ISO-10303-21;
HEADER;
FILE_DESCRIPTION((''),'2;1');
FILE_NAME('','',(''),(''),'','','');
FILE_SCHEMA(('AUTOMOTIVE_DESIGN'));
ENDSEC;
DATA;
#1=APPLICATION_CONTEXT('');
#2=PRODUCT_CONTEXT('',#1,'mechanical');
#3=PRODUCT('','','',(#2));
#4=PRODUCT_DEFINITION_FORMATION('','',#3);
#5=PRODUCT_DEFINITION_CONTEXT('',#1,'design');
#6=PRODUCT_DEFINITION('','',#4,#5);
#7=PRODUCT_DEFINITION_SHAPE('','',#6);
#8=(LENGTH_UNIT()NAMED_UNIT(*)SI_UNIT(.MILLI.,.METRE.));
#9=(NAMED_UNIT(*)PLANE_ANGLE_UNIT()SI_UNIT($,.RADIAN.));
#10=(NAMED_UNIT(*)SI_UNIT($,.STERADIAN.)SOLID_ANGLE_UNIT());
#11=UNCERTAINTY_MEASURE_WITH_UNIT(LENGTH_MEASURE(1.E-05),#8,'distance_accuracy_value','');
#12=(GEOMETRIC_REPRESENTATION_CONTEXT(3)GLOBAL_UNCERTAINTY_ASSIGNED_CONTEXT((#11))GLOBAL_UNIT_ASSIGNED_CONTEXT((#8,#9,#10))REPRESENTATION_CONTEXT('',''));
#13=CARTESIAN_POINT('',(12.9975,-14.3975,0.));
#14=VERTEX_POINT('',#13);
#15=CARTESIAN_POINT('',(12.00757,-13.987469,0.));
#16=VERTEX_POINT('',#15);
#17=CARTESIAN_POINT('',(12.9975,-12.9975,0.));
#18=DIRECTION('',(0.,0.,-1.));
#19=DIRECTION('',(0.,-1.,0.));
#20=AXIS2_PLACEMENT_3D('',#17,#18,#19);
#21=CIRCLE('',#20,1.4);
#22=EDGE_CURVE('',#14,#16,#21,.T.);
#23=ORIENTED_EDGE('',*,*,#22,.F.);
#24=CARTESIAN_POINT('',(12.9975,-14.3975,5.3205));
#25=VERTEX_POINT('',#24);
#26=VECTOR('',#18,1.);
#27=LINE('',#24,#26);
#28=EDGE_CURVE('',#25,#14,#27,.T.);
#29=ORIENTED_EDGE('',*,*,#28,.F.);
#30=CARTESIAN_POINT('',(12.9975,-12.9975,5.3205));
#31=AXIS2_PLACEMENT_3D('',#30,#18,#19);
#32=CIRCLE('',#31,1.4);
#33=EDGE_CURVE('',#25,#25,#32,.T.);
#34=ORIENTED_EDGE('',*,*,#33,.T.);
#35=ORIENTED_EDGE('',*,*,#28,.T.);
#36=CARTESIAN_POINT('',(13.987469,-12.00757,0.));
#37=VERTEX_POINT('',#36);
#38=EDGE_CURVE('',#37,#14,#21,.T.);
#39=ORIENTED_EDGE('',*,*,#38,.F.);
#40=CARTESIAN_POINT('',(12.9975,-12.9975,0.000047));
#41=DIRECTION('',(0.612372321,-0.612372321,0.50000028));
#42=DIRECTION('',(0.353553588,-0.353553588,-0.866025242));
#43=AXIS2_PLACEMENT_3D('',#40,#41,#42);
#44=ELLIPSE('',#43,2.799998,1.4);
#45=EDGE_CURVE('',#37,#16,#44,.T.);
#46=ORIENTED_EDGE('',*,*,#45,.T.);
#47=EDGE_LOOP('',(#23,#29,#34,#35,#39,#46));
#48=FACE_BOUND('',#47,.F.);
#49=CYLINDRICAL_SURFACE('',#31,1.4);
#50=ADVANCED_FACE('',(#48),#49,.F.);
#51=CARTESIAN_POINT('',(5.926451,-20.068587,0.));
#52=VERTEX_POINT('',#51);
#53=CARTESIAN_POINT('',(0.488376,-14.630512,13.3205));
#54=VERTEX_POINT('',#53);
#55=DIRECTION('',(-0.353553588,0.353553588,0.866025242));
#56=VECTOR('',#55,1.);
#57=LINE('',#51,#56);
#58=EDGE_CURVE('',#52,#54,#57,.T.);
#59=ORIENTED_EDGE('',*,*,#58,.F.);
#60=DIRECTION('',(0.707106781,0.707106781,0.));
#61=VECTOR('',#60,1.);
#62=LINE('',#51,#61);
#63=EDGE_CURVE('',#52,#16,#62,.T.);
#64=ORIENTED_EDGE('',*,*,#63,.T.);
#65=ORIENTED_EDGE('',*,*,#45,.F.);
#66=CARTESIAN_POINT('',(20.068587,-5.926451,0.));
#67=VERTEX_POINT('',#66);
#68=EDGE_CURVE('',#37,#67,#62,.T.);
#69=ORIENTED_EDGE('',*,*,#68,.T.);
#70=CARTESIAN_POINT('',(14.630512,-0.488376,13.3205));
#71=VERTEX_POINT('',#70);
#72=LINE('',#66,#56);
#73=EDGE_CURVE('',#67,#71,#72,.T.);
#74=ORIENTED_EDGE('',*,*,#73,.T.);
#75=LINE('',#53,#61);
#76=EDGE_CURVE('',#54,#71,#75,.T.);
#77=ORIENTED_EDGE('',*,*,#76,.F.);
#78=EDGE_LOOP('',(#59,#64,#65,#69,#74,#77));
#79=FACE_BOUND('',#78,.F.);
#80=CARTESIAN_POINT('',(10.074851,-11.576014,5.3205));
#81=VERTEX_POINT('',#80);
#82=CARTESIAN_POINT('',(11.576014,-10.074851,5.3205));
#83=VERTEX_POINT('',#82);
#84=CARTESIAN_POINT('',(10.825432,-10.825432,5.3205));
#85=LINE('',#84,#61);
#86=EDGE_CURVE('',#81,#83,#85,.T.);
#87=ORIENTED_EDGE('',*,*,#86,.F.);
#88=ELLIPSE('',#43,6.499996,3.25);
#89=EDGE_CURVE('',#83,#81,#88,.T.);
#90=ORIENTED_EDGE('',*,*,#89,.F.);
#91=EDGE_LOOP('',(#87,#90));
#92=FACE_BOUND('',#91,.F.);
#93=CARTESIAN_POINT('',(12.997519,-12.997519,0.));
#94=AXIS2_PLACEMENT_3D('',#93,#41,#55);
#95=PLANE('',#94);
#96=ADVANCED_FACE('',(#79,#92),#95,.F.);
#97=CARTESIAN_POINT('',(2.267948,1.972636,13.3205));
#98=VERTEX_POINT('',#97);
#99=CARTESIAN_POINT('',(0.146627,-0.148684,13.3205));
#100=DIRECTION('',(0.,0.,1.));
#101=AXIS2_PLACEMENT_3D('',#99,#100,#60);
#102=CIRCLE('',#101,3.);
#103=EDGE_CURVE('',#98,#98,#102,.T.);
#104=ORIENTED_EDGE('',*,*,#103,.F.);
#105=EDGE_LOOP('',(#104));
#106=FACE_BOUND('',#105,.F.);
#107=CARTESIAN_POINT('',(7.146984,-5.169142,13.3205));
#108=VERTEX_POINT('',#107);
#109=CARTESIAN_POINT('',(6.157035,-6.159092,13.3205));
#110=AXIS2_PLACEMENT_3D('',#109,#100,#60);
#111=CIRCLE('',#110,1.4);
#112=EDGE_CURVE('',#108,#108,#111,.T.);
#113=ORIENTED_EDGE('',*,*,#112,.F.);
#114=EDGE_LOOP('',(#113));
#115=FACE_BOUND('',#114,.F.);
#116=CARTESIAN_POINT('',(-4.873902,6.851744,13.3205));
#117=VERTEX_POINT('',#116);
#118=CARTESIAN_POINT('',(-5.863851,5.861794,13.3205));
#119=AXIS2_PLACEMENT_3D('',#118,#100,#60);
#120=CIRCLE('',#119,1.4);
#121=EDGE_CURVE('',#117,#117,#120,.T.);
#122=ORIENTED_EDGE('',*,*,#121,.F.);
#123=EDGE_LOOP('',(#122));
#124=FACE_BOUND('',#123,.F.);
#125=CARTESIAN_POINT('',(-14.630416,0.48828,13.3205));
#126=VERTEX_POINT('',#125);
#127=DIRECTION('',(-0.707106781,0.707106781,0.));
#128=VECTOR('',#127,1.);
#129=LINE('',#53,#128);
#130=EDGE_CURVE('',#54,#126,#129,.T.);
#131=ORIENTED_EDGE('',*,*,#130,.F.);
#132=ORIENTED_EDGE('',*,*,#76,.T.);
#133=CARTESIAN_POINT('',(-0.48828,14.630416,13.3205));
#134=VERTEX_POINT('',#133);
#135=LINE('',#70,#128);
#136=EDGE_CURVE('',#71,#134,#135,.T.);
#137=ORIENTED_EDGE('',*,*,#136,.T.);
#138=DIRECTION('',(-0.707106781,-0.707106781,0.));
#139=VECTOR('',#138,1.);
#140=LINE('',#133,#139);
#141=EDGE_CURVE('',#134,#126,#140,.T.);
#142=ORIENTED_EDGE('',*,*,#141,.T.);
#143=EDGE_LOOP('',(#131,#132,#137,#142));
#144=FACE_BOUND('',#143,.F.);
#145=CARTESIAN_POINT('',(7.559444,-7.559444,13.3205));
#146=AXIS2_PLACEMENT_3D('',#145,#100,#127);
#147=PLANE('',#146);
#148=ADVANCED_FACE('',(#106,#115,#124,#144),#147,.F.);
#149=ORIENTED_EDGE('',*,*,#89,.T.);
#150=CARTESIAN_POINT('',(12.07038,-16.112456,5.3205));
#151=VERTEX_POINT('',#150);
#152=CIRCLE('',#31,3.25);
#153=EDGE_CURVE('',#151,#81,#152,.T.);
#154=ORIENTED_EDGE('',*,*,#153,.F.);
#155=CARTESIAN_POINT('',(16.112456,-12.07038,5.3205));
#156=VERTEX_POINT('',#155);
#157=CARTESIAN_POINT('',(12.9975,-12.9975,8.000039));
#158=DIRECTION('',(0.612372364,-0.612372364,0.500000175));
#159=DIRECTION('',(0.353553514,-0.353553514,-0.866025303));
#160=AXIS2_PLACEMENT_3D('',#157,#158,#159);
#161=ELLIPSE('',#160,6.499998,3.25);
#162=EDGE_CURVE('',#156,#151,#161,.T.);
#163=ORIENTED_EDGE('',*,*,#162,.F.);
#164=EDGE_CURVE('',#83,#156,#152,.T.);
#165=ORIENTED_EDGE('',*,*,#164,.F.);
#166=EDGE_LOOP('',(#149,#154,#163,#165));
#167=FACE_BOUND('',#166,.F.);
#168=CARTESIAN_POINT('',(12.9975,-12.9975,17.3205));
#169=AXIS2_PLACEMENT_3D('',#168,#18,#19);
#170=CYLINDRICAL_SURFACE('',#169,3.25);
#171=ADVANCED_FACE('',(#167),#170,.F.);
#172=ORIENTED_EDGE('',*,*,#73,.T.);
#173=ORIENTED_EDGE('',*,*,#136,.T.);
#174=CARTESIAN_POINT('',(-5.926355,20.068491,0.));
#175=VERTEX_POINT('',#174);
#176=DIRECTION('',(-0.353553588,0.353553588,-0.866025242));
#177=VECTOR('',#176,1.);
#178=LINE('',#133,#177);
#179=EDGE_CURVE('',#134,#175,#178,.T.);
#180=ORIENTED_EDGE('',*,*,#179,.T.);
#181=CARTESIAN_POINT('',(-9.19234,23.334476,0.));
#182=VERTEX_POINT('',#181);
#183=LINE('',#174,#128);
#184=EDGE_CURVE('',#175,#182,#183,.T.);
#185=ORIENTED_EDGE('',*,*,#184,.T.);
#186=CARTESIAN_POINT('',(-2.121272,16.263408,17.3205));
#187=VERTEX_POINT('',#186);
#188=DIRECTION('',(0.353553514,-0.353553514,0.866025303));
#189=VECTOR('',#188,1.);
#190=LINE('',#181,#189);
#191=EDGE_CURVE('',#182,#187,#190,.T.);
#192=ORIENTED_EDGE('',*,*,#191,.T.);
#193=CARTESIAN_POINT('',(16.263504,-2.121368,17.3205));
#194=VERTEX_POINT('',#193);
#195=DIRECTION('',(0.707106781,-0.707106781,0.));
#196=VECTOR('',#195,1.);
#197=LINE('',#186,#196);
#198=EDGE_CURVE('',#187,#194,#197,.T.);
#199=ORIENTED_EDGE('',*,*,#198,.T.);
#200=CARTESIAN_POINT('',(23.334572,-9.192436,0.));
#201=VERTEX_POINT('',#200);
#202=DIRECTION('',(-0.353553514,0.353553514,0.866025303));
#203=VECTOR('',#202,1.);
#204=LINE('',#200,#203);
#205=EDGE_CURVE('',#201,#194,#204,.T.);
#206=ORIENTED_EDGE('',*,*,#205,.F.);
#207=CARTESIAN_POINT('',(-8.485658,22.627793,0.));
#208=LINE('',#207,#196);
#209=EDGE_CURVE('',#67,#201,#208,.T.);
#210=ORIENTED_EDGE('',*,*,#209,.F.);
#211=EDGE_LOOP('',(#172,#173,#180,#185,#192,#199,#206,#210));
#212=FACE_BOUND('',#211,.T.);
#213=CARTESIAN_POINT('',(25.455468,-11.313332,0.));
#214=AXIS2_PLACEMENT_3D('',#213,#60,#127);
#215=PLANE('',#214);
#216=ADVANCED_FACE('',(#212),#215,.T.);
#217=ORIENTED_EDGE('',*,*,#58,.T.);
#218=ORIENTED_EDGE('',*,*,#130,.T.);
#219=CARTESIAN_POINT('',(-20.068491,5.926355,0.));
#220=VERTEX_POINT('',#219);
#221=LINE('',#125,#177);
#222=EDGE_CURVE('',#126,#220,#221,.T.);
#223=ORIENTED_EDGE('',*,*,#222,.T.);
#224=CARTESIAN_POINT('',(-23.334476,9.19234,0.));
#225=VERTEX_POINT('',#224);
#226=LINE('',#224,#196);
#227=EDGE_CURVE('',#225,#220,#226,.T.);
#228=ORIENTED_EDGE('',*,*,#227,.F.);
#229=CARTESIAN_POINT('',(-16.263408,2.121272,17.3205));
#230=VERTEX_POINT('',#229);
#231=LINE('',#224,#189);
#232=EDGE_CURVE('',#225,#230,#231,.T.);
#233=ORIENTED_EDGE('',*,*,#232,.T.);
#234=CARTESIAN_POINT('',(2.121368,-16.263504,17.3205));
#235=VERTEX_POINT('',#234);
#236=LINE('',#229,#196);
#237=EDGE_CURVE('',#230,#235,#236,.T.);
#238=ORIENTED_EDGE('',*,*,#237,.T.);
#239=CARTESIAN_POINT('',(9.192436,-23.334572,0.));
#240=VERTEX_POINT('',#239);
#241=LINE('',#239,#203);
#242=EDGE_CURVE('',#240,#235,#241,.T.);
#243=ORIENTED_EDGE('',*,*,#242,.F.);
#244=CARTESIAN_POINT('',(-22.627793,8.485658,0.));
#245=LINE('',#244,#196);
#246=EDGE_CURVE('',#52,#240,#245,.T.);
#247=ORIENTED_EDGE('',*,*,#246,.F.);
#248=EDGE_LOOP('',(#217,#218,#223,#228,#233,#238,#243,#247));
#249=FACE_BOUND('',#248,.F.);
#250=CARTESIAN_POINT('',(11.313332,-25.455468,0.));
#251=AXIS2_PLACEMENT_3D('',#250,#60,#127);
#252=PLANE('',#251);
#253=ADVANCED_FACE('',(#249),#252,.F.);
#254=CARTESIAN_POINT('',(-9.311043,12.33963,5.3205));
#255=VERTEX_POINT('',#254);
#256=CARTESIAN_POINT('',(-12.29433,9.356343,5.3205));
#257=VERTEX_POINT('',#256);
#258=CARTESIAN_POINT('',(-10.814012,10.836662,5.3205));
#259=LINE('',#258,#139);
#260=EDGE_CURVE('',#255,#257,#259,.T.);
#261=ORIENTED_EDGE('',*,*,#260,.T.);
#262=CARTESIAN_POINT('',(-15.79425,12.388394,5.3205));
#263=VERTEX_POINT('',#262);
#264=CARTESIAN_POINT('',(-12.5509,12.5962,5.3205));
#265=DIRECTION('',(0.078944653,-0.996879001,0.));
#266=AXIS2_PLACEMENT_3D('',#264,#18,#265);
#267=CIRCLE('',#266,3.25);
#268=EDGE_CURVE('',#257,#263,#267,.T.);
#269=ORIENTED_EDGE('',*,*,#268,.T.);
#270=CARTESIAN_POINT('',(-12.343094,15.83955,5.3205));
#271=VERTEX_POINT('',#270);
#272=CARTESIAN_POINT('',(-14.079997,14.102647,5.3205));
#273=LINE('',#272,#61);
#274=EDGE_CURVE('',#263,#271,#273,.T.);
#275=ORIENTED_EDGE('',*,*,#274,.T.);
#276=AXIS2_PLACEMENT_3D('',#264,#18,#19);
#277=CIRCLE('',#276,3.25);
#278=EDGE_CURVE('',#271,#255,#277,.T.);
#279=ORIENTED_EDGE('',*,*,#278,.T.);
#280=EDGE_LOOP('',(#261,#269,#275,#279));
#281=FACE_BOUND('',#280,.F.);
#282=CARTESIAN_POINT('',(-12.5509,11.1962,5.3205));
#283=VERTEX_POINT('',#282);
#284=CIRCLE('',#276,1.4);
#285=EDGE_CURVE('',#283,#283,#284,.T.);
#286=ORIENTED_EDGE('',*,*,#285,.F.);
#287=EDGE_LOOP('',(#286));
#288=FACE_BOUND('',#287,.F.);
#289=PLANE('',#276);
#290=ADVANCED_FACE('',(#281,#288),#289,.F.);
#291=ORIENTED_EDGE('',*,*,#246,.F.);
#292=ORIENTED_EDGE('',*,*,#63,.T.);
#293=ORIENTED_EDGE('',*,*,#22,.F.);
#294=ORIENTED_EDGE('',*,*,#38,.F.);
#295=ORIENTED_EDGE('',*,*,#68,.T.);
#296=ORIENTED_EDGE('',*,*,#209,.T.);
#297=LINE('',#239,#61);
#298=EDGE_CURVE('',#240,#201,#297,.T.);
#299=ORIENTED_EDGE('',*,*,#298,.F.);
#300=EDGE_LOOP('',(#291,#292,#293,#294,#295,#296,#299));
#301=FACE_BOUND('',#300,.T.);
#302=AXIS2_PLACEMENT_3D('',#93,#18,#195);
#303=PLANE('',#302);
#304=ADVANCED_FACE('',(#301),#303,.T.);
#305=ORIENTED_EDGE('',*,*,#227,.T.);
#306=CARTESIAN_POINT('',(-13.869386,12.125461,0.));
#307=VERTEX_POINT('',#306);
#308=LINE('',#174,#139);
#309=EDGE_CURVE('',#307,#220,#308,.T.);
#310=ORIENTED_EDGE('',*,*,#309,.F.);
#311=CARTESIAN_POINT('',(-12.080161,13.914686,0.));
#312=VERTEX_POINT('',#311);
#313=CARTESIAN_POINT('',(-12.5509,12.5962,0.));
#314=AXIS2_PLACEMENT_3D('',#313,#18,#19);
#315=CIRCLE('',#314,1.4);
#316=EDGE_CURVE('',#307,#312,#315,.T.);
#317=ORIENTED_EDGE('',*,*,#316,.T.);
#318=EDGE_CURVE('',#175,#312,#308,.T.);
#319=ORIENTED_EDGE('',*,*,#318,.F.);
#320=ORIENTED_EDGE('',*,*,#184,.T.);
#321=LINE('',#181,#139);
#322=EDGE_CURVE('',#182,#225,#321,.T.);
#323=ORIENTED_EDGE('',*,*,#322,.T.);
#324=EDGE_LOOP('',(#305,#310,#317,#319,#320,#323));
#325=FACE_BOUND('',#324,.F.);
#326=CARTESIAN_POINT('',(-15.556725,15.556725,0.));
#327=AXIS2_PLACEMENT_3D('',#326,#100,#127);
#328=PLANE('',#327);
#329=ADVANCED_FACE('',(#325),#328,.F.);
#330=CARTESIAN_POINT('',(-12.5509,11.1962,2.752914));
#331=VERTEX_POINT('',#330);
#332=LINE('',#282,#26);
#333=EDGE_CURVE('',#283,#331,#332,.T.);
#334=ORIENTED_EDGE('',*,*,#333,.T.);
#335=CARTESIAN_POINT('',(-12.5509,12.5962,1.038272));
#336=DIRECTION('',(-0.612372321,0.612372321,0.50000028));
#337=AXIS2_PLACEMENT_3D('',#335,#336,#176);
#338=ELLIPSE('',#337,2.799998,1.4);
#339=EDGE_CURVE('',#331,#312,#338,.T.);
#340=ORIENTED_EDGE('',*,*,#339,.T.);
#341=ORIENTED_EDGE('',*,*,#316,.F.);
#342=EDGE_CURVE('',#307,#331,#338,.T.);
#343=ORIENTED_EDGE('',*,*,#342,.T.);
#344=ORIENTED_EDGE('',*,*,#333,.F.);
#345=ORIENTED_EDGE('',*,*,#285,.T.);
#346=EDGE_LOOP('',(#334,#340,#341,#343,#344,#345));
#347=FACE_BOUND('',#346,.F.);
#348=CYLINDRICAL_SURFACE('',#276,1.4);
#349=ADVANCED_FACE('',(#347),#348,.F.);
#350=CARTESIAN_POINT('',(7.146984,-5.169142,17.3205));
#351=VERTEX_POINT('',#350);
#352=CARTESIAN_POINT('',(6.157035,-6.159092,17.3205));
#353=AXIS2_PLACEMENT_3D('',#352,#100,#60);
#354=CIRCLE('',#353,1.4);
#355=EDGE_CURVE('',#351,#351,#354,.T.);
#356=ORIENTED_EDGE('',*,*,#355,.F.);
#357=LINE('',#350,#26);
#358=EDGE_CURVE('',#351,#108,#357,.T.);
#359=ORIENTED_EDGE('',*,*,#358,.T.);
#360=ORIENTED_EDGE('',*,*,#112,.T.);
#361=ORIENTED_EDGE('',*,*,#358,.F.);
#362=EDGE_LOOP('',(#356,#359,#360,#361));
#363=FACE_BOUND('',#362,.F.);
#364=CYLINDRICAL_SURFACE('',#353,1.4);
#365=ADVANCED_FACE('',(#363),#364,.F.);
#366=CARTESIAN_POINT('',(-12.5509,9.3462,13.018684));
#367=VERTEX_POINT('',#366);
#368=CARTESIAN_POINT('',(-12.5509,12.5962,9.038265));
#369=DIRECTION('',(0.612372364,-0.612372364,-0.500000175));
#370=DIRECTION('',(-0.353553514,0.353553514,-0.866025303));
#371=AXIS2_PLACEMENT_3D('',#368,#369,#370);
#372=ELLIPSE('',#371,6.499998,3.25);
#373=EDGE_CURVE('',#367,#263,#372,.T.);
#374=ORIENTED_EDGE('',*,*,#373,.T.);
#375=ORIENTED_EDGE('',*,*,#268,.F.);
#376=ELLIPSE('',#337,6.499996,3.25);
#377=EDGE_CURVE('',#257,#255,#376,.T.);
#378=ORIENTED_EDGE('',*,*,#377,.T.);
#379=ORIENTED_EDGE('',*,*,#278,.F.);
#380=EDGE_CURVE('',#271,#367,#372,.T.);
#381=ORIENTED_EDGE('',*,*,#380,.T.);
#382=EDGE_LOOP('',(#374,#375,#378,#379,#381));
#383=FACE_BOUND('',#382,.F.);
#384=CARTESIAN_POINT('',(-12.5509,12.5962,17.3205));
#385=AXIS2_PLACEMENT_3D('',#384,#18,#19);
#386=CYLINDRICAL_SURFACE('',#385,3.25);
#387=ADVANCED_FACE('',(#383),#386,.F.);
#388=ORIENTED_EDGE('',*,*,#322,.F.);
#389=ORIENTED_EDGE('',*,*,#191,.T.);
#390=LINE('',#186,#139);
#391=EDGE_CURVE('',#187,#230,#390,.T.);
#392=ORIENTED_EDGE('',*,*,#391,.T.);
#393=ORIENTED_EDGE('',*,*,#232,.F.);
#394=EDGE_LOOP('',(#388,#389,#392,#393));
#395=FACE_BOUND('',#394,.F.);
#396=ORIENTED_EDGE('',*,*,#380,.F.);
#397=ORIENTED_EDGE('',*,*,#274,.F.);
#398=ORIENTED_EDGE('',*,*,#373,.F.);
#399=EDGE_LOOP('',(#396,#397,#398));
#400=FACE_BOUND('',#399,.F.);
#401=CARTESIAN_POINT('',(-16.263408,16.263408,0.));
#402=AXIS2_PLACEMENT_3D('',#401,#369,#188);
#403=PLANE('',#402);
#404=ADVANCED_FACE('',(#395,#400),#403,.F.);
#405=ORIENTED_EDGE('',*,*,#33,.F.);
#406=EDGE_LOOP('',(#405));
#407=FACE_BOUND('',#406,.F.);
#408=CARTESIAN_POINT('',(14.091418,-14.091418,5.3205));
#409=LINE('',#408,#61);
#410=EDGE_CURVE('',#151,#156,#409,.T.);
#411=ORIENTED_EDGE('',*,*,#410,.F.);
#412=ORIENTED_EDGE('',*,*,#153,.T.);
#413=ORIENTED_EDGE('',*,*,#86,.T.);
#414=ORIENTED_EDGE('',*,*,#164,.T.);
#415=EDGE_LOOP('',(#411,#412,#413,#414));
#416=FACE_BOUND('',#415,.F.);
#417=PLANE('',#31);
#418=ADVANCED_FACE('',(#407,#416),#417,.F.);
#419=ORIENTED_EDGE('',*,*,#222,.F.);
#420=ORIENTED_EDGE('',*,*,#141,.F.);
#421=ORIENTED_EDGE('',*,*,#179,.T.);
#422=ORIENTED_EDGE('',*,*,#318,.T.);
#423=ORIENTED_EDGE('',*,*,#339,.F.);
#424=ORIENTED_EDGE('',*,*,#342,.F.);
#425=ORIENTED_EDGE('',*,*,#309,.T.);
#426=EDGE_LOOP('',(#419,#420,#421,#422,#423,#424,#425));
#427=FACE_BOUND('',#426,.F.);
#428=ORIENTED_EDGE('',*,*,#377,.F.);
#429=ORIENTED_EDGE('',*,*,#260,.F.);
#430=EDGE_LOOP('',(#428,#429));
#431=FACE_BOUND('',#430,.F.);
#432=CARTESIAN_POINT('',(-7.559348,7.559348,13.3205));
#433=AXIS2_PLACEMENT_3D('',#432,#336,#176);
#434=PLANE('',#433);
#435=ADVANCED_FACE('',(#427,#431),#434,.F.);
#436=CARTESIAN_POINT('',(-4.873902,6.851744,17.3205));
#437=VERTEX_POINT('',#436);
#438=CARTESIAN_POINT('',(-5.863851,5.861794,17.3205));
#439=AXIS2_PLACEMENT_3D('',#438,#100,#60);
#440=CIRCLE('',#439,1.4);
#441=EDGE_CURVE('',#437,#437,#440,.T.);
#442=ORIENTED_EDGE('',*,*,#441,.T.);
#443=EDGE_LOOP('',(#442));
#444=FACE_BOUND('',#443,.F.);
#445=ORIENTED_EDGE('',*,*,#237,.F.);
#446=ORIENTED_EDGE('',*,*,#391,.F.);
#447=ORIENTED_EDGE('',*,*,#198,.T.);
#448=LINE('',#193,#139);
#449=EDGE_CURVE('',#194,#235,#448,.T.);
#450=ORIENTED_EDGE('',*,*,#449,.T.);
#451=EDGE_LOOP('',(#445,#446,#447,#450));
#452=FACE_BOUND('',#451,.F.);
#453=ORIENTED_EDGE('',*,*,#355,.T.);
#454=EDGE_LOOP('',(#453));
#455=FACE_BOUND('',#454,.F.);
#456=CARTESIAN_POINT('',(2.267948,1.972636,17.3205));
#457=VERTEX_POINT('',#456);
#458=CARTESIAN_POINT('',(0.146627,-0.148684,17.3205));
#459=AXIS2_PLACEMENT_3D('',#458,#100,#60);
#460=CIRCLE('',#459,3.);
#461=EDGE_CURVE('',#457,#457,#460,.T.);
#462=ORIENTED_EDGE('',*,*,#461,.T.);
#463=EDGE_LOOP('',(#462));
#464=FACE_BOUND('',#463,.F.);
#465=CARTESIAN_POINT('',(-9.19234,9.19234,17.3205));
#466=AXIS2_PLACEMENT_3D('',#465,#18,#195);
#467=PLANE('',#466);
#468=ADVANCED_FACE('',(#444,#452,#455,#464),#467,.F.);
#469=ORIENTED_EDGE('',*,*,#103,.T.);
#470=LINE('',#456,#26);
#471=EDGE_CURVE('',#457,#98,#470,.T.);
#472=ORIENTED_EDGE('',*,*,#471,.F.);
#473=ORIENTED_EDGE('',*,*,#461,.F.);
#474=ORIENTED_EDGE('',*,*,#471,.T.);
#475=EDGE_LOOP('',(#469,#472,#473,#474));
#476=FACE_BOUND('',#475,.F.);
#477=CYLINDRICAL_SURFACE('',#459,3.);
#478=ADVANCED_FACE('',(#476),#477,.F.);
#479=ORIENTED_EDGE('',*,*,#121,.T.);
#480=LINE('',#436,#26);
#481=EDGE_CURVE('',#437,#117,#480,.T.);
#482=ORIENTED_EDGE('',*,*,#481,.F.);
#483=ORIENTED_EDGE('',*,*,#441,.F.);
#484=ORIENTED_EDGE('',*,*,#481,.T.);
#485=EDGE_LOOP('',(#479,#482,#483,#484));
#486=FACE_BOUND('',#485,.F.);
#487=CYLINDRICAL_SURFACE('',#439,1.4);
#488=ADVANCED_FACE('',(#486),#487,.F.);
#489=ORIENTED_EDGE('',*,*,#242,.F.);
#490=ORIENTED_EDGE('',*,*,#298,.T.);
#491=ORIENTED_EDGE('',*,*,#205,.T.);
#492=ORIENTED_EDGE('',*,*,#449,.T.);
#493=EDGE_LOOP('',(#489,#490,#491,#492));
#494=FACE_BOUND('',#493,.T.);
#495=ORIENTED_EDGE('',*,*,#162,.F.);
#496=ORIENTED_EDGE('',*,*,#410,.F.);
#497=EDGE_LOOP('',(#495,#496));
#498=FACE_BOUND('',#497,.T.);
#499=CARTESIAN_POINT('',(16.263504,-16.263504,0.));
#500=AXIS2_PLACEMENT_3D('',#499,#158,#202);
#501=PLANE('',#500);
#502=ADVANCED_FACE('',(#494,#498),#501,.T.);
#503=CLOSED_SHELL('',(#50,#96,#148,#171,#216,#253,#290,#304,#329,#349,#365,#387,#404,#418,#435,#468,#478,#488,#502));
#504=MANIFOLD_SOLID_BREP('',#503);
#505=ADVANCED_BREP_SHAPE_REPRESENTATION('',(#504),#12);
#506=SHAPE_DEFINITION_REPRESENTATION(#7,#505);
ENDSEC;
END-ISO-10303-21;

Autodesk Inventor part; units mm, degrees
ref_plane "YZ Plane" through (0, 0, 0) normal (1, 0, 0) x (0, 1, 0)
ref_plane "XZ Plane" through (0, 0, 0) normal (0, 1, 0) x (-1, 0, 0)
ref_plane "Work Plane1" through (0, 0, 0) normal (0, 0, 1) x (1, 0, 0)
ref_plane "Work Plane2" through (0, 0, 0) normal (0, 0, 1) x (1, 0, 0)
ref_plane "Work Plane3" through (18.3844, -18.3844, 0) normal (0.7071, 0.7071, 0) x (-0.7071, 0.7071, 0)
sketch "Sketch2" plane through (18.3844, -18.3844, 0) normal (0.7071, 0.7071, 0) x (-0.7071, 0.7071, 0)
  line L0 (2.9994, 0) -> (12.9994, 17.3205)
  line L1 (-4.0006, 0) -> (15.9994, 0) construction
  line L2 (48.9994, 0) -> (38.9994, 17.3205)
  line L3 (56.0448, 0) -> (76.0448, 0) construction
  line L4 (38.9994, 17.3205) -> (12.9994, 17.3205)
  line L5 (7.6182, 0) -> (15.3088, 13.3205)
  line L6 (15.3088, 13.3205) -> (36.69, 13.3205)
  line L7 (36.69, 13.3205) -> (44.3806, 0)
  line L8 (-17.6765, -6) -> (-19.9184, -71) projected
  line L9 (53.3865, -6) -> (55.409, -71) projected
  line L10 (20.5601, 2) -> (20.5601, 10)
  line L11 (33.5601, 2) -> (33.5601, 10)
  line L12 (48, 0) -> (-12, 0) projected
  line L13 (44.3806, 0) -> (48.9994, 0)
  line L14 (2.9994, 0) -> (7.6182, 0)
  line L15 (-4.0006, -9.8008) -> (-4.0006, -30.1937)
  line L16 (55.9994, -9.8008) -> (55.9994, -30.1937)
  point P0 (25.9994, 0)
  dimension "d1" = 20
  dimension "d2" = 60
  dimension "d3" = 120
  dimension "d5" = 4
  dimension "d6" = 4
  dimension "d7" = 4
  dimension "d24" = 7
  dimension "d25" = 7
extrude "Extrusion1" add sketch "Sketch2" along normal mid plane 20 contours L0 L4 L2 L13 L12 L7 L6 L5
sketch "Sketch3" plane through (16.2635, -2.1213, 17.3205) normal (0, 0, 1) x (0.7071, 0.7071, 0)
  circle A0 centre (-9.3718, 30.7817) radius 1.4 projected
  circle A1 centre (-10.6281, -5.1964) radius 1.4 projected
  line L0 (-20, -5.3812) -> (0, -5.3812) projected
  point P0 (-9.968, 30.7817)
  point P1 (-10, -5.3812)
hole "Hole1" at (-12.5509, 12.5962, 17.3205) at (12.9975, -12.9975, 17.3205) direction (0, 0, -1) diameter 2.8 end through all counterbore diameter 6.5 counterbore depth 12
sketch "Sketch4" plane through (16.2635, -2.1213, 17.3205) normal (0, 0, 1) x (0.7071, 0.7071, 0)
  circle A0 centre (-10.0015, 21.2913) radius 1.9 projected
  line L0 (0, 26) -> (0, 0) projected
  line L1 (-20, 0) -> (-20, 26) projected
  circle A1 centre (-10.0015, 4.2912) radius 1.9 projected
  circle A2 centre (-10.0015, 12.7912) radius 3 projected
  circle A3 centre (-10.0015, 21.2913) radius 1.4
  circle A4 centre (-10.0015, 4.2912) radius 1.9
  circle A5 centre (-10.0015, 4.2912) radius 1.4
  line L2 (-20, 26) -> (0, 26) projected
  line L3 (-20, 0) -> (0, 0) projected
  point P0 (-10, 13)
  dimension "d17" = 2.8
  dimension "d18" = 2.8
extrude "Extrusion2" cut sketch "Sketch4" against normal blind 20 contours A2 | A3 | A5
ref_plane "Arbeitsebene4" through (18.3844, -18.3844, 0) normal (0.7071, 0.7071, 0) x (0, 0, 1)
properties part number "Anglerfish_Lightplate_Tislinkbridge"
